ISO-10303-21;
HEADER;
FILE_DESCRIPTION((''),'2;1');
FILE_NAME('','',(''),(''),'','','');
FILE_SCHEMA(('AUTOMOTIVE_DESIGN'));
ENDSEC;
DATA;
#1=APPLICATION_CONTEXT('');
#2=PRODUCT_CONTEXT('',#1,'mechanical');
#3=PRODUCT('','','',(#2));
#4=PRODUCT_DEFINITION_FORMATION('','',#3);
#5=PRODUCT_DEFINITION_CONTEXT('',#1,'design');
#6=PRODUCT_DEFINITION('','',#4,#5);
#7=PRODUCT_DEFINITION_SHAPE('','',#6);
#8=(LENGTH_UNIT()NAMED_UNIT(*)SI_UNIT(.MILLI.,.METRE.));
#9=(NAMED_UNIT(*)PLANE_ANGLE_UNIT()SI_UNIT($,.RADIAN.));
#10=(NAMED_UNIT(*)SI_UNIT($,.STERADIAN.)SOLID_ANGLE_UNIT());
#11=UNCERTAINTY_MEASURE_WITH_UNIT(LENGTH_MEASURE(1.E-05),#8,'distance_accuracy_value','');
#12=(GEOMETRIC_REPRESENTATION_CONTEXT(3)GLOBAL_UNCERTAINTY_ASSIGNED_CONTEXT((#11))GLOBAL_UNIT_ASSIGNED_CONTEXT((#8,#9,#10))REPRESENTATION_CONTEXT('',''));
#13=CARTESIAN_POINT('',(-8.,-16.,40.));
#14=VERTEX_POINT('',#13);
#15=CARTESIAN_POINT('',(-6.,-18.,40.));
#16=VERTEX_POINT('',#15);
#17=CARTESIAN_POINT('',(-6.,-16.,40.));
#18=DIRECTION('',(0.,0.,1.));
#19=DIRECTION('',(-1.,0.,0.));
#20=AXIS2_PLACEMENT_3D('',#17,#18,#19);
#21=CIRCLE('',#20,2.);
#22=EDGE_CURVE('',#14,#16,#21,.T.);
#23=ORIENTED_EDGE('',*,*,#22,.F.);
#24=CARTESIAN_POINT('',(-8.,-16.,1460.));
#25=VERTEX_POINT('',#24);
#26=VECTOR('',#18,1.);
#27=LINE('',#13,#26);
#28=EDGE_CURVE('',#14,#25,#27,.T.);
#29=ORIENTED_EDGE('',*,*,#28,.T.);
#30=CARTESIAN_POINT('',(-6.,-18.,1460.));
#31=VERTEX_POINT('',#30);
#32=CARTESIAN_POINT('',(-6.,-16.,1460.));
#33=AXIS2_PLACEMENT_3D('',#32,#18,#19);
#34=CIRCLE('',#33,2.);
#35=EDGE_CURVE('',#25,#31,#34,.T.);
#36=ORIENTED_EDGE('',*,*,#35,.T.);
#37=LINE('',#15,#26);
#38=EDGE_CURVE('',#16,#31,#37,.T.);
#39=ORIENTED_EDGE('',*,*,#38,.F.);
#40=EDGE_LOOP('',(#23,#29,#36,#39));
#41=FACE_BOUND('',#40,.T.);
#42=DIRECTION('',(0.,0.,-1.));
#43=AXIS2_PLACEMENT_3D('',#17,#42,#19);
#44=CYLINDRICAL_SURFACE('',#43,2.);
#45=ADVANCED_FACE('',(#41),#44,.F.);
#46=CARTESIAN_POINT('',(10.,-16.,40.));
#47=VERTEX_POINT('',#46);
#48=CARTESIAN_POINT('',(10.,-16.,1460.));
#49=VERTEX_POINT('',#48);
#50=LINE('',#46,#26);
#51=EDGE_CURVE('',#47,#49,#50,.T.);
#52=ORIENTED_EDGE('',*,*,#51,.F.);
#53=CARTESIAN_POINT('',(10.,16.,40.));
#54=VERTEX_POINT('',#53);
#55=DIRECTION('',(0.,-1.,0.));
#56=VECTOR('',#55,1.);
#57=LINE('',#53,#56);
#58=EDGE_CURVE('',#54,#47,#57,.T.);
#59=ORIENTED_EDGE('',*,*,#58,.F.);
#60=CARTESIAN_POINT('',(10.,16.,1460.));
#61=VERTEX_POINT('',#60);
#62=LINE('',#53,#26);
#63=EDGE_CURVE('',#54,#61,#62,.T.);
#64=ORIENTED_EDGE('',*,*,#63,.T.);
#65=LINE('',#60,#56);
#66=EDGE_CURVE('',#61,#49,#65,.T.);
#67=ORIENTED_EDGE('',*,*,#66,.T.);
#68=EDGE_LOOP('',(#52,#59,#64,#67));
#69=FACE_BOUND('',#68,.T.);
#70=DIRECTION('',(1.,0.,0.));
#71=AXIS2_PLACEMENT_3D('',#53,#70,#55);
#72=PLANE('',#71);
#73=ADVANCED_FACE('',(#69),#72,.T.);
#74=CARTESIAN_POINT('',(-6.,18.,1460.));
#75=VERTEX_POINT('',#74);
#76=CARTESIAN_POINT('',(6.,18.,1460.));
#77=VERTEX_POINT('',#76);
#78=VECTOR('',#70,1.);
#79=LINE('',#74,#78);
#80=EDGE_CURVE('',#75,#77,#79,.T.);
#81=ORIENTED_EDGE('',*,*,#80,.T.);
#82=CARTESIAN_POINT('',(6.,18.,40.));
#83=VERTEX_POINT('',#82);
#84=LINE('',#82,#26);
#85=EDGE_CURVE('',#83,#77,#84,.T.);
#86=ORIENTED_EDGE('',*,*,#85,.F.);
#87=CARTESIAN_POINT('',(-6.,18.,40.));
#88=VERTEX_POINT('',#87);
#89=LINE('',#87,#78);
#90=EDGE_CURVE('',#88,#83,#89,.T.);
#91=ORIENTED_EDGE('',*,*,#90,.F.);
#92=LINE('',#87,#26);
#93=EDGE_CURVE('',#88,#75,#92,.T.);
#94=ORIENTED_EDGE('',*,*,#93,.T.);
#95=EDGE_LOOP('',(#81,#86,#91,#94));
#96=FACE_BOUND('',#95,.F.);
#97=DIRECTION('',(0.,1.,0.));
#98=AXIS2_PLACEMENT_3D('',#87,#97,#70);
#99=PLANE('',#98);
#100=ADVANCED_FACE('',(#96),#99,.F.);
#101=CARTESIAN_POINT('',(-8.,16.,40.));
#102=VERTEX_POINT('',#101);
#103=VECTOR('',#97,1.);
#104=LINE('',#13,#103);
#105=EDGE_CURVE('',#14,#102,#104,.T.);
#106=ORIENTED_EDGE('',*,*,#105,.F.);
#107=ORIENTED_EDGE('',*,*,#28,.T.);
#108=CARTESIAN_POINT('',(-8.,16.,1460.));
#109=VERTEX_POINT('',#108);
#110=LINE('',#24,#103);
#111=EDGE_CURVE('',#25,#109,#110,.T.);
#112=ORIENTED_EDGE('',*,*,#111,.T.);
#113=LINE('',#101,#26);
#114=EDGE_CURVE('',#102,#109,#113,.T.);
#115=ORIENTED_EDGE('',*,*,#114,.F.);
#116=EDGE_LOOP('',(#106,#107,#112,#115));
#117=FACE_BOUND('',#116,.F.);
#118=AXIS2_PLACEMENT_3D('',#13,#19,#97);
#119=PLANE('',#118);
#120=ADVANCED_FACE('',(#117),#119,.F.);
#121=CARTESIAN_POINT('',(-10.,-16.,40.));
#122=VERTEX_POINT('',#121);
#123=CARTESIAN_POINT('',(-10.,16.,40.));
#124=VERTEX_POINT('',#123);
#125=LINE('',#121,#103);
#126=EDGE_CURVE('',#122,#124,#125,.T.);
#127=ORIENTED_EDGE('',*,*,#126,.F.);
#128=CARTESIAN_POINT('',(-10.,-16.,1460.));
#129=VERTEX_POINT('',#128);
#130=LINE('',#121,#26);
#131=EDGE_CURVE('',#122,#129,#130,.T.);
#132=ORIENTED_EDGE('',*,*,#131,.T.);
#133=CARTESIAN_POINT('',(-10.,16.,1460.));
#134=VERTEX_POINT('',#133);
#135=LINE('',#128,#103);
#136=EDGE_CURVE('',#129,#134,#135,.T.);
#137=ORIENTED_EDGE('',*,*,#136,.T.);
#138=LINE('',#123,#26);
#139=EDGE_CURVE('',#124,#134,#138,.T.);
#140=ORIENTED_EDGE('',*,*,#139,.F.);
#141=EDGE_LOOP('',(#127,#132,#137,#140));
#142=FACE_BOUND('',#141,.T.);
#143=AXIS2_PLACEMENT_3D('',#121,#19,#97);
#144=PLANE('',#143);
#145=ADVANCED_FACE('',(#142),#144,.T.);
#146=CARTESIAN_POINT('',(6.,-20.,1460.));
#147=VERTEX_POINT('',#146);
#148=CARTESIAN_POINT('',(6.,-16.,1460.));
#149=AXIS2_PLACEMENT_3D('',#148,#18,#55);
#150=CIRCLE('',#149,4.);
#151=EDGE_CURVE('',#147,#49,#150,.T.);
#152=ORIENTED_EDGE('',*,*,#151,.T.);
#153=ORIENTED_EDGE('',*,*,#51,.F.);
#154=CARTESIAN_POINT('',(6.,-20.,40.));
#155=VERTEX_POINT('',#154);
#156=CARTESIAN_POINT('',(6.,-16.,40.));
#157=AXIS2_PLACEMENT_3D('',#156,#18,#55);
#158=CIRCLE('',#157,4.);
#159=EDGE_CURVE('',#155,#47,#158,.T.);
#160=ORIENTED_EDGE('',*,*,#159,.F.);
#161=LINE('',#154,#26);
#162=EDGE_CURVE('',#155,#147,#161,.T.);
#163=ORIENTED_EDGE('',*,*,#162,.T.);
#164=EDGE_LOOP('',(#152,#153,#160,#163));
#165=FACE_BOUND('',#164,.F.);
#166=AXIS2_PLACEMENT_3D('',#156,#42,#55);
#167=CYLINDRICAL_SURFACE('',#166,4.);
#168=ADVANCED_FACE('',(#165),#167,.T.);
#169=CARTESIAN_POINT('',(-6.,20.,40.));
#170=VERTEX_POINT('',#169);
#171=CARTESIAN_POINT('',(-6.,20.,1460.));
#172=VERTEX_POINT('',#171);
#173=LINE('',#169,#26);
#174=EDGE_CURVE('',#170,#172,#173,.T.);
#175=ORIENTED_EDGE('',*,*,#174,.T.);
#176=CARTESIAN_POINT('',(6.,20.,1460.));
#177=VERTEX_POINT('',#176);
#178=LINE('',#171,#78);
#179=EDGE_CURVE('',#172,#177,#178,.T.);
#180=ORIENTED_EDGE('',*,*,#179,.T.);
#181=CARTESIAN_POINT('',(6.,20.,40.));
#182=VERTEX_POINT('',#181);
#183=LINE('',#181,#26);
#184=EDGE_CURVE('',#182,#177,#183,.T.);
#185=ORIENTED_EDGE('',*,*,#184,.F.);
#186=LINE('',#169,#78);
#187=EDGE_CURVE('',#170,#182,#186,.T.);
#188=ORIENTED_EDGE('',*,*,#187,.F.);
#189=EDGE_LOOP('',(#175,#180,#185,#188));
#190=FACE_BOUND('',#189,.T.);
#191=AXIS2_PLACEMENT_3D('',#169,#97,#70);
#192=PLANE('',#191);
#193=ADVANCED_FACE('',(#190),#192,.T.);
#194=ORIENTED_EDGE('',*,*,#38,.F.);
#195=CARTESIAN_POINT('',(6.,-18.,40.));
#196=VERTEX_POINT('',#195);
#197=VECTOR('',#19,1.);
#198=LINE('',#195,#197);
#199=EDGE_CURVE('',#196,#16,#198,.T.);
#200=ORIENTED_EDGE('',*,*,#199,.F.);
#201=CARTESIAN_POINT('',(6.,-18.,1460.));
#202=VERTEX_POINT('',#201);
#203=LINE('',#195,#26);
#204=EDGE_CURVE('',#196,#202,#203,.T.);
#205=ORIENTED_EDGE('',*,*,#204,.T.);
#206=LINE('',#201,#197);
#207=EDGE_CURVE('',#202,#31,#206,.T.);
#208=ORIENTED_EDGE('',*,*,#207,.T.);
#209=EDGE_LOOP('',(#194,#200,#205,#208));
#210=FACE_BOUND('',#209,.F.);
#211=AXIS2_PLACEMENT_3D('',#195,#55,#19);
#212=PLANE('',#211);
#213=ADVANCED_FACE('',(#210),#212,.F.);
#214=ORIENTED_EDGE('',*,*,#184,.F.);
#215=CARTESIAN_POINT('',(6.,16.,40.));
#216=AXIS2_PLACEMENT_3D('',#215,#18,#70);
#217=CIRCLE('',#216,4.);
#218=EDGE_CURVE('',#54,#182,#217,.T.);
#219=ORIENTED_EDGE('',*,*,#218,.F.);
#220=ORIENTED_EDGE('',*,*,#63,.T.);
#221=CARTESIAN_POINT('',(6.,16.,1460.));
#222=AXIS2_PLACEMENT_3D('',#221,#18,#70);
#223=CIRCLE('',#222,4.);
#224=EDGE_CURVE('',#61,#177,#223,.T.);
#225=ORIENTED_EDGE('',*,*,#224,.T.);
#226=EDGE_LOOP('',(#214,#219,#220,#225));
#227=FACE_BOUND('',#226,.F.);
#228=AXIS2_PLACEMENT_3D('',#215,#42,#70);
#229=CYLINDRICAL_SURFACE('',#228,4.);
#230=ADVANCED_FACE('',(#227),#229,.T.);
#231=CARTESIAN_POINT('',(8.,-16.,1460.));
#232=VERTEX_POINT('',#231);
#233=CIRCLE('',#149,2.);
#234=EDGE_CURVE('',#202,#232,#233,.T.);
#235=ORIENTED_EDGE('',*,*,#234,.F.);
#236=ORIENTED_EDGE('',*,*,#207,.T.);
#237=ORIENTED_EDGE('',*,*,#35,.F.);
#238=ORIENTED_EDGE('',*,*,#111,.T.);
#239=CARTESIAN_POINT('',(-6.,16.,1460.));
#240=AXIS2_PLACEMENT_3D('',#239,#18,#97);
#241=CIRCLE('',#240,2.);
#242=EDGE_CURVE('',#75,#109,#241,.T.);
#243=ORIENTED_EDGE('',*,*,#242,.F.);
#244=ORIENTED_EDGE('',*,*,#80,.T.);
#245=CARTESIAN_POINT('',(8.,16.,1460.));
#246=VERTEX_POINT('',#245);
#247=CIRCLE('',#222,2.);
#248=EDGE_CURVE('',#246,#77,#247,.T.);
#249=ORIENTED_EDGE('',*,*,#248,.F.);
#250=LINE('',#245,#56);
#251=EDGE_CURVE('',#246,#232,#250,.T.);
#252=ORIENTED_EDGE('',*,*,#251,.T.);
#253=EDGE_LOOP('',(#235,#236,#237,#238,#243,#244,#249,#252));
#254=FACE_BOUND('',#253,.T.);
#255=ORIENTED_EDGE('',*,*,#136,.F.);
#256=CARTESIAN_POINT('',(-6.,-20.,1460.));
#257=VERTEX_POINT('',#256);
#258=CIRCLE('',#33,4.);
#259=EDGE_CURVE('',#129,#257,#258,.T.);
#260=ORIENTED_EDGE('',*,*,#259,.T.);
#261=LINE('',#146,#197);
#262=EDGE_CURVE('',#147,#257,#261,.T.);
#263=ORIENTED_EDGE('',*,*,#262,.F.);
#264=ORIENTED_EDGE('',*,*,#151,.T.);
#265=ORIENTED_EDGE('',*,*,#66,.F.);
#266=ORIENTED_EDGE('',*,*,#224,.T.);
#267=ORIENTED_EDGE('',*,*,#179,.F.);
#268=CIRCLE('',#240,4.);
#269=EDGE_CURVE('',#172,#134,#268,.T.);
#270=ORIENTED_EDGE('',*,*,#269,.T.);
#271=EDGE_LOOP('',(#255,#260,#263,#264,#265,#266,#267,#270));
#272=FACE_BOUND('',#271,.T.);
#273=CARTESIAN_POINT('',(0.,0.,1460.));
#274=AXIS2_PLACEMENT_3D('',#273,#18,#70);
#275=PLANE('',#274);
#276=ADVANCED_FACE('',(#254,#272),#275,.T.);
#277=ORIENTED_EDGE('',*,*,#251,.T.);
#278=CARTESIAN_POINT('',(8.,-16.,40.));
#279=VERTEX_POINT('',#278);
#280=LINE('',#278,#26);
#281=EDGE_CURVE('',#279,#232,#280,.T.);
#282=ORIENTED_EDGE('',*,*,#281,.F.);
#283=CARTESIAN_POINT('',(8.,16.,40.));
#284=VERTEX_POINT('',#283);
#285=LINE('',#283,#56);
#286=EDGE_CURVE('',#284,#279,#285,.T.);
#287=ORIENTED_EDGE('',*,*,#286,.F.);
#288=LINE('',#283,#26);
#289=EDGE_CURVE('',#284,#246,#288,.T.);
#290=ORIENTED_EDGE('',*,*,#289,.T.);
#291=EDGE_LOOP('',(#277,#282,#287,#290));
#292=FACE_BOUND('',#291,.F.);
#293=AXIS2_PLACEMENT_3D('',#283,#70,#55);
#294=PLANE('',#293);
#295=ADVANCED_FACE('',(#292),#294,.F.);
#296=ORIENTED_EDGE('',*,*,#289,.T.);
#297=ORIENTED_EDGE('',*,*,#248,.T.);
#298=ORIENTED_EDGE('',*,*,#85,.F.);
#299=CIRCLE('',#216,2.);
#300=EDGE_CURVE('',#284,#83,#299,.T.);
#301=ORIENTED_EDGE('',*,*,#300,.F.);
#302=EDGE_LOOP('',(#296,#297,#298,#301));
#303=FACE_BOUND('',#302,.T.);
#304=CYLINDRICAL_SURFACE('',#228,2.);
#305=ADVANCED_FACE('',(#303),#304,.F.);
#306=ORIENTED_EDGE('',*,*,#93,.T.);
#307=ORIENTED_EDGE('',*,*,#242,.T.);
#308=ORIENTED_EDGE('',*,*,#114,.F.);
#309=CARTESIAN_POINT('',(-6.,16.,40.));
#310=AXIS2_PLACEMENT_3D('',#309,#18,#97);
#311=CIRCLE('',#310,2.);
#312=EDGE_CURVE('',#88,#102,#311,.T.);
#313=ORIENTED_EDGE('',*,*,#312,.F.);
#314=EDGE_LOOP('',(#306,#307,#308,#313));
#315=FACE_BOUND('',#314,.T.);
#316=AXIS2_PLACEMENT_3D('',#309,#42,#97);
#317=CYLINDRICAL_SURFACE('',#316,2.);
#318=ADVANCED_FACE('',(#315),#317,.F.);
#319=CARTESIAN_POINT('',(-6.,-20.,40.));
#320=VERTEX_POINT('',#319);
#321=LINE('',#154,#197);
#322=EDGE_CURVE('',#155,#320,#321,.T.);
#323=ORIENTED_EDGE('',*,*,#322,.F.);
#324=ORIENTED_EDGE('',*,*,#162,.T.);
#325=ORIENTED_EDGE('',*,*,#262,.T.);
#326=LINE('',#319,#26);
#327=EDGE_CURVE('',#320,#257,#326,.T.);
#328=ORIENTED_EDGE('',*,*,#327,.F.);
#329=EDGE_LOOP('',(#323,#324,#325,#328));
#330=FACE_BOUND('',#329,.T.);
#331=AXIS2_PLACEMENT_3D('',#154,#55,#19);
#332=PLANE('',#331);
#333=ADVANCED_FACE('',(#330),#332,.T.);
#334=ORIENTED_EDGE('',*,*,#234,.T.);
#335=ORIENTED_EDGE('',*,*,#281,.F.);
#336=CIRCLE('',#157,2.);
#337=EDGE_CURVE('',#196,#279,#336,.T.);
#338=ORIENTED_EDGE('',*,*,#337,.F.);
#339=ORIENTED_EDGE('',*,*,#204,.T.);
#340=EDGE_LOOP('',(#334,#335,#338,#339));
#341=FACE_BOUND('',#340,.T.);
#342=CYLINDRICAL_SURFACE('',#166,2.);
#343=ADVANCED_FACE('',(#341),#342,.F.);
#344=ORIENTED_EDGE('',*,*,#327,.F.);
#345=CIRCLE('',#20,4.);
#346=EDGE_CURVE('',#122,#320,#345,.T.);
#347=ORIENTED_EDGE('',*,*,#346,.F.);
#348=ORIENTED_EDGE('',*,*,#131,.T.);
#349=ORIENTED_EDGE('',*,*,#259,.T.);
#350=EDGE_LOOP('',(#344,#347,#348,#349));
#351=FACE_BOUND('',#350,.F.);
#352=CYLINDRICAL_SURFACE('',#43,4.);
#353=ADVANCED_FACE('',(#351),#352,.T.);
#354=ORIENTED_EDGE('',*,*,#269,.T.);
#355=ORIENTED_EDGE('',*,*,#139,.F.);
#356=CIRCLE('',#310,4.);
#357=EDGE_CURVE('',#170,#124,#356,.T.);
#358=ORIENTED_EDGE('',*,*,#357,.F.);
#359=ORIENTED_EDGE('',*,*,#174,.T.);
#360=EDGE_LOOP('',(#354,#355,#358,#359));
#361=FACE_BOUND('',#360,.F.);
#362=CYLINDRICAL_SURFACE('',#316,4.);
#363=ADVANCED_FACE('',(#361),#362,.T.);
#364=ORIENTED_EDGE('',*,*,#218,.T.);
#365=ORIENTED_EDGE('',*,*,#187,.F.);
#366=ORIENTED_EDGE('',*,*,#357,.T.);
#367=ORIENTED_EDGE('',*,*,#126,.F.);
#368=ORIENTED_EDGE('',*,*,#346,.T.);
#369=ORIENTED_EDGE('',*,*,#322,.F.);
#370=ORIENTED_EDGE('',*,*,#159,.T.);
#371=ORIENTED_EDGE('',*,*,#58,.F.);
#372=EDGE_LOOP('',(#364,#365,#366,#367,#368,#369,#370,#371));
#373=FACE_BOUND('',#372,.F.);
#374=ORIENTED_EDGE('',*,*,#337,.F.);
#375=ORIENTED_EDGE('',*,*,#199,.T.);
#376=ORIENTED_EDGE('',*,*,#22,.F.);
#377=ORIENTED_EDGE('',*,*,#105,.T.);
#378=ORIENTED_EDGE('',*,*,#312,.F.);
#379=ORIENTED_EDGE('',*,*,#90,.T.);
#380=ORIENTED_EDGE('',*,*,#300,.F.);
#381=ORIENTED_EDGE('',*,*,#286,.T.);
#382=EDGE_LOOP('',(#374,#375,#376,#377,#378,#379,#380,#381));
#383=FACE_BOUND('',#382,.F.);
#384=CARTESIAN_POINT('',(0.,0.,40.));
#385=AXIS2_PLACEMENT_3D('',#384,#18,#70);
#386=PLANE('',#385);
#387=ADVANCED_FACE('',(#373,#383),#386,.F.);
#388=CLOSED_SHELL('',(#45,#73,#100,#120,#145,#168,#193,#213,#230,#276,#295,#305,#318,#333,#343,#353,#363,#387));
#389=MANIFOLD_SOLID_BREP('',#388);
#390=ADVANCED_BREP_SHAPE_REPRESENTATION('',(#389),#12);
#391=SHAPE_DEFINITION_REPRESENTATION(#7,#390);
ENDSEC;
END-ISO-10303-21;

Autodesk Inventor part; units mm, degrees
ref_plane "YZ Plane" through (0, 0, 0) normal (1, 0, 0) x (0, 1, 0)
ref_plane "Start Plane" through (0, 0, 40) normal (0, 0, 1) x (1, 0, 0)
ref_plane "End Plane" through (0, 0, 1460) normal (0, 0, 1) x (1, 0, 0)
sketch "Sketch" plane through (0, 0, 0) normal (0, 0, 1) x (1, 0, 0)
  line L0 (-10, -16) -> (-10, 16)
  line L1 (-6, 20) -> (6, 20)
  line L2 (10, 16) -> (10, -16)
  line L3 (6, -20) -> (-6, -20)
  arc A0 (-10, -16) -> (-6, -20) centre (-6, -16) ccw
  arc A1 (10, 16) -> (6, 20) centre (6, 16) ccw
  arc A2 (-6, 20) -> (-10, 16) centre (-6, 16) ccw
  arc A3 (6, -20) -> (10, -16) centre (6, -16) ccw
  arc A4 (-6, 18) -> (-8, 16) centre (-6, 16) ccw
  line L4 (-6, 18) -> (6, 18)
  arc A5 (8, 16) -> (6, 18) centre (6, 16) ccw
  line L5 (8, 16) -> (8, -16)
  arc A6 (6, -18) -> (8, -16) centre (6, -16) ccw
  line L6 (6, -18) -> (-6, -18)
  arc A7 (-8, -16) -> (-6, -18) centre (-6, -16) ccw
  line L7 (-8, -16) -> (-8, 16)
  line L8 (0, 29.1598) -> (0, -29.1598) construction
  line L9 (-15.1598, 0) -> (15.1598, 0) construction
  dimension "d7" = 4
  dimension "d9" = 20
  dimension "d11" = 40
  dimension "d12" = 2
  dimension "d15" = 10
  dimension "d16" = 20
extrude "Body" add sketch "Sketch" along normal up to surface (1420 mm away) from surface at 40
sketch "Sketch3" plane through (0, 0, 0) normal (0, 0, 1) x (1, 0, 0)
  line L0 (0, 0) -> (10, 0)
ref_plane "Work Plane3" through (0, 0, 0) normal (0, -1, 0) x (1, 0, 0)
sketch "Sketch4" plane through (0, 0, 0) normal (0, -1, 0) x (1, 0, 0)
  line L0 (-2, 40) -> (12, 40)
  line L1 (-2, 1460) -> (12, 1460)
  dimension "d18" = 1420
equation "\"d7\" = G_IR"
equation "\"d9\" = G_W"
equation "\"d11\" = G_H"
equation "\"d12\" = G_T"
equation "\"d15\" = 0.5 * d9"
equation "\"d16\" = 0.5 * d11"
equation "\"d3\" = G_L"
equation "\"G_W\" = 20"
equation "\"G_H\" = 40"
equation "\"G_T\" = 2"
equation "\"G_IR\" = 4"
equation "\"G_L\" = d18"
properties part number "ISO 10799-2 - 40x20x2 - 1420" material "Steel, Mild"
